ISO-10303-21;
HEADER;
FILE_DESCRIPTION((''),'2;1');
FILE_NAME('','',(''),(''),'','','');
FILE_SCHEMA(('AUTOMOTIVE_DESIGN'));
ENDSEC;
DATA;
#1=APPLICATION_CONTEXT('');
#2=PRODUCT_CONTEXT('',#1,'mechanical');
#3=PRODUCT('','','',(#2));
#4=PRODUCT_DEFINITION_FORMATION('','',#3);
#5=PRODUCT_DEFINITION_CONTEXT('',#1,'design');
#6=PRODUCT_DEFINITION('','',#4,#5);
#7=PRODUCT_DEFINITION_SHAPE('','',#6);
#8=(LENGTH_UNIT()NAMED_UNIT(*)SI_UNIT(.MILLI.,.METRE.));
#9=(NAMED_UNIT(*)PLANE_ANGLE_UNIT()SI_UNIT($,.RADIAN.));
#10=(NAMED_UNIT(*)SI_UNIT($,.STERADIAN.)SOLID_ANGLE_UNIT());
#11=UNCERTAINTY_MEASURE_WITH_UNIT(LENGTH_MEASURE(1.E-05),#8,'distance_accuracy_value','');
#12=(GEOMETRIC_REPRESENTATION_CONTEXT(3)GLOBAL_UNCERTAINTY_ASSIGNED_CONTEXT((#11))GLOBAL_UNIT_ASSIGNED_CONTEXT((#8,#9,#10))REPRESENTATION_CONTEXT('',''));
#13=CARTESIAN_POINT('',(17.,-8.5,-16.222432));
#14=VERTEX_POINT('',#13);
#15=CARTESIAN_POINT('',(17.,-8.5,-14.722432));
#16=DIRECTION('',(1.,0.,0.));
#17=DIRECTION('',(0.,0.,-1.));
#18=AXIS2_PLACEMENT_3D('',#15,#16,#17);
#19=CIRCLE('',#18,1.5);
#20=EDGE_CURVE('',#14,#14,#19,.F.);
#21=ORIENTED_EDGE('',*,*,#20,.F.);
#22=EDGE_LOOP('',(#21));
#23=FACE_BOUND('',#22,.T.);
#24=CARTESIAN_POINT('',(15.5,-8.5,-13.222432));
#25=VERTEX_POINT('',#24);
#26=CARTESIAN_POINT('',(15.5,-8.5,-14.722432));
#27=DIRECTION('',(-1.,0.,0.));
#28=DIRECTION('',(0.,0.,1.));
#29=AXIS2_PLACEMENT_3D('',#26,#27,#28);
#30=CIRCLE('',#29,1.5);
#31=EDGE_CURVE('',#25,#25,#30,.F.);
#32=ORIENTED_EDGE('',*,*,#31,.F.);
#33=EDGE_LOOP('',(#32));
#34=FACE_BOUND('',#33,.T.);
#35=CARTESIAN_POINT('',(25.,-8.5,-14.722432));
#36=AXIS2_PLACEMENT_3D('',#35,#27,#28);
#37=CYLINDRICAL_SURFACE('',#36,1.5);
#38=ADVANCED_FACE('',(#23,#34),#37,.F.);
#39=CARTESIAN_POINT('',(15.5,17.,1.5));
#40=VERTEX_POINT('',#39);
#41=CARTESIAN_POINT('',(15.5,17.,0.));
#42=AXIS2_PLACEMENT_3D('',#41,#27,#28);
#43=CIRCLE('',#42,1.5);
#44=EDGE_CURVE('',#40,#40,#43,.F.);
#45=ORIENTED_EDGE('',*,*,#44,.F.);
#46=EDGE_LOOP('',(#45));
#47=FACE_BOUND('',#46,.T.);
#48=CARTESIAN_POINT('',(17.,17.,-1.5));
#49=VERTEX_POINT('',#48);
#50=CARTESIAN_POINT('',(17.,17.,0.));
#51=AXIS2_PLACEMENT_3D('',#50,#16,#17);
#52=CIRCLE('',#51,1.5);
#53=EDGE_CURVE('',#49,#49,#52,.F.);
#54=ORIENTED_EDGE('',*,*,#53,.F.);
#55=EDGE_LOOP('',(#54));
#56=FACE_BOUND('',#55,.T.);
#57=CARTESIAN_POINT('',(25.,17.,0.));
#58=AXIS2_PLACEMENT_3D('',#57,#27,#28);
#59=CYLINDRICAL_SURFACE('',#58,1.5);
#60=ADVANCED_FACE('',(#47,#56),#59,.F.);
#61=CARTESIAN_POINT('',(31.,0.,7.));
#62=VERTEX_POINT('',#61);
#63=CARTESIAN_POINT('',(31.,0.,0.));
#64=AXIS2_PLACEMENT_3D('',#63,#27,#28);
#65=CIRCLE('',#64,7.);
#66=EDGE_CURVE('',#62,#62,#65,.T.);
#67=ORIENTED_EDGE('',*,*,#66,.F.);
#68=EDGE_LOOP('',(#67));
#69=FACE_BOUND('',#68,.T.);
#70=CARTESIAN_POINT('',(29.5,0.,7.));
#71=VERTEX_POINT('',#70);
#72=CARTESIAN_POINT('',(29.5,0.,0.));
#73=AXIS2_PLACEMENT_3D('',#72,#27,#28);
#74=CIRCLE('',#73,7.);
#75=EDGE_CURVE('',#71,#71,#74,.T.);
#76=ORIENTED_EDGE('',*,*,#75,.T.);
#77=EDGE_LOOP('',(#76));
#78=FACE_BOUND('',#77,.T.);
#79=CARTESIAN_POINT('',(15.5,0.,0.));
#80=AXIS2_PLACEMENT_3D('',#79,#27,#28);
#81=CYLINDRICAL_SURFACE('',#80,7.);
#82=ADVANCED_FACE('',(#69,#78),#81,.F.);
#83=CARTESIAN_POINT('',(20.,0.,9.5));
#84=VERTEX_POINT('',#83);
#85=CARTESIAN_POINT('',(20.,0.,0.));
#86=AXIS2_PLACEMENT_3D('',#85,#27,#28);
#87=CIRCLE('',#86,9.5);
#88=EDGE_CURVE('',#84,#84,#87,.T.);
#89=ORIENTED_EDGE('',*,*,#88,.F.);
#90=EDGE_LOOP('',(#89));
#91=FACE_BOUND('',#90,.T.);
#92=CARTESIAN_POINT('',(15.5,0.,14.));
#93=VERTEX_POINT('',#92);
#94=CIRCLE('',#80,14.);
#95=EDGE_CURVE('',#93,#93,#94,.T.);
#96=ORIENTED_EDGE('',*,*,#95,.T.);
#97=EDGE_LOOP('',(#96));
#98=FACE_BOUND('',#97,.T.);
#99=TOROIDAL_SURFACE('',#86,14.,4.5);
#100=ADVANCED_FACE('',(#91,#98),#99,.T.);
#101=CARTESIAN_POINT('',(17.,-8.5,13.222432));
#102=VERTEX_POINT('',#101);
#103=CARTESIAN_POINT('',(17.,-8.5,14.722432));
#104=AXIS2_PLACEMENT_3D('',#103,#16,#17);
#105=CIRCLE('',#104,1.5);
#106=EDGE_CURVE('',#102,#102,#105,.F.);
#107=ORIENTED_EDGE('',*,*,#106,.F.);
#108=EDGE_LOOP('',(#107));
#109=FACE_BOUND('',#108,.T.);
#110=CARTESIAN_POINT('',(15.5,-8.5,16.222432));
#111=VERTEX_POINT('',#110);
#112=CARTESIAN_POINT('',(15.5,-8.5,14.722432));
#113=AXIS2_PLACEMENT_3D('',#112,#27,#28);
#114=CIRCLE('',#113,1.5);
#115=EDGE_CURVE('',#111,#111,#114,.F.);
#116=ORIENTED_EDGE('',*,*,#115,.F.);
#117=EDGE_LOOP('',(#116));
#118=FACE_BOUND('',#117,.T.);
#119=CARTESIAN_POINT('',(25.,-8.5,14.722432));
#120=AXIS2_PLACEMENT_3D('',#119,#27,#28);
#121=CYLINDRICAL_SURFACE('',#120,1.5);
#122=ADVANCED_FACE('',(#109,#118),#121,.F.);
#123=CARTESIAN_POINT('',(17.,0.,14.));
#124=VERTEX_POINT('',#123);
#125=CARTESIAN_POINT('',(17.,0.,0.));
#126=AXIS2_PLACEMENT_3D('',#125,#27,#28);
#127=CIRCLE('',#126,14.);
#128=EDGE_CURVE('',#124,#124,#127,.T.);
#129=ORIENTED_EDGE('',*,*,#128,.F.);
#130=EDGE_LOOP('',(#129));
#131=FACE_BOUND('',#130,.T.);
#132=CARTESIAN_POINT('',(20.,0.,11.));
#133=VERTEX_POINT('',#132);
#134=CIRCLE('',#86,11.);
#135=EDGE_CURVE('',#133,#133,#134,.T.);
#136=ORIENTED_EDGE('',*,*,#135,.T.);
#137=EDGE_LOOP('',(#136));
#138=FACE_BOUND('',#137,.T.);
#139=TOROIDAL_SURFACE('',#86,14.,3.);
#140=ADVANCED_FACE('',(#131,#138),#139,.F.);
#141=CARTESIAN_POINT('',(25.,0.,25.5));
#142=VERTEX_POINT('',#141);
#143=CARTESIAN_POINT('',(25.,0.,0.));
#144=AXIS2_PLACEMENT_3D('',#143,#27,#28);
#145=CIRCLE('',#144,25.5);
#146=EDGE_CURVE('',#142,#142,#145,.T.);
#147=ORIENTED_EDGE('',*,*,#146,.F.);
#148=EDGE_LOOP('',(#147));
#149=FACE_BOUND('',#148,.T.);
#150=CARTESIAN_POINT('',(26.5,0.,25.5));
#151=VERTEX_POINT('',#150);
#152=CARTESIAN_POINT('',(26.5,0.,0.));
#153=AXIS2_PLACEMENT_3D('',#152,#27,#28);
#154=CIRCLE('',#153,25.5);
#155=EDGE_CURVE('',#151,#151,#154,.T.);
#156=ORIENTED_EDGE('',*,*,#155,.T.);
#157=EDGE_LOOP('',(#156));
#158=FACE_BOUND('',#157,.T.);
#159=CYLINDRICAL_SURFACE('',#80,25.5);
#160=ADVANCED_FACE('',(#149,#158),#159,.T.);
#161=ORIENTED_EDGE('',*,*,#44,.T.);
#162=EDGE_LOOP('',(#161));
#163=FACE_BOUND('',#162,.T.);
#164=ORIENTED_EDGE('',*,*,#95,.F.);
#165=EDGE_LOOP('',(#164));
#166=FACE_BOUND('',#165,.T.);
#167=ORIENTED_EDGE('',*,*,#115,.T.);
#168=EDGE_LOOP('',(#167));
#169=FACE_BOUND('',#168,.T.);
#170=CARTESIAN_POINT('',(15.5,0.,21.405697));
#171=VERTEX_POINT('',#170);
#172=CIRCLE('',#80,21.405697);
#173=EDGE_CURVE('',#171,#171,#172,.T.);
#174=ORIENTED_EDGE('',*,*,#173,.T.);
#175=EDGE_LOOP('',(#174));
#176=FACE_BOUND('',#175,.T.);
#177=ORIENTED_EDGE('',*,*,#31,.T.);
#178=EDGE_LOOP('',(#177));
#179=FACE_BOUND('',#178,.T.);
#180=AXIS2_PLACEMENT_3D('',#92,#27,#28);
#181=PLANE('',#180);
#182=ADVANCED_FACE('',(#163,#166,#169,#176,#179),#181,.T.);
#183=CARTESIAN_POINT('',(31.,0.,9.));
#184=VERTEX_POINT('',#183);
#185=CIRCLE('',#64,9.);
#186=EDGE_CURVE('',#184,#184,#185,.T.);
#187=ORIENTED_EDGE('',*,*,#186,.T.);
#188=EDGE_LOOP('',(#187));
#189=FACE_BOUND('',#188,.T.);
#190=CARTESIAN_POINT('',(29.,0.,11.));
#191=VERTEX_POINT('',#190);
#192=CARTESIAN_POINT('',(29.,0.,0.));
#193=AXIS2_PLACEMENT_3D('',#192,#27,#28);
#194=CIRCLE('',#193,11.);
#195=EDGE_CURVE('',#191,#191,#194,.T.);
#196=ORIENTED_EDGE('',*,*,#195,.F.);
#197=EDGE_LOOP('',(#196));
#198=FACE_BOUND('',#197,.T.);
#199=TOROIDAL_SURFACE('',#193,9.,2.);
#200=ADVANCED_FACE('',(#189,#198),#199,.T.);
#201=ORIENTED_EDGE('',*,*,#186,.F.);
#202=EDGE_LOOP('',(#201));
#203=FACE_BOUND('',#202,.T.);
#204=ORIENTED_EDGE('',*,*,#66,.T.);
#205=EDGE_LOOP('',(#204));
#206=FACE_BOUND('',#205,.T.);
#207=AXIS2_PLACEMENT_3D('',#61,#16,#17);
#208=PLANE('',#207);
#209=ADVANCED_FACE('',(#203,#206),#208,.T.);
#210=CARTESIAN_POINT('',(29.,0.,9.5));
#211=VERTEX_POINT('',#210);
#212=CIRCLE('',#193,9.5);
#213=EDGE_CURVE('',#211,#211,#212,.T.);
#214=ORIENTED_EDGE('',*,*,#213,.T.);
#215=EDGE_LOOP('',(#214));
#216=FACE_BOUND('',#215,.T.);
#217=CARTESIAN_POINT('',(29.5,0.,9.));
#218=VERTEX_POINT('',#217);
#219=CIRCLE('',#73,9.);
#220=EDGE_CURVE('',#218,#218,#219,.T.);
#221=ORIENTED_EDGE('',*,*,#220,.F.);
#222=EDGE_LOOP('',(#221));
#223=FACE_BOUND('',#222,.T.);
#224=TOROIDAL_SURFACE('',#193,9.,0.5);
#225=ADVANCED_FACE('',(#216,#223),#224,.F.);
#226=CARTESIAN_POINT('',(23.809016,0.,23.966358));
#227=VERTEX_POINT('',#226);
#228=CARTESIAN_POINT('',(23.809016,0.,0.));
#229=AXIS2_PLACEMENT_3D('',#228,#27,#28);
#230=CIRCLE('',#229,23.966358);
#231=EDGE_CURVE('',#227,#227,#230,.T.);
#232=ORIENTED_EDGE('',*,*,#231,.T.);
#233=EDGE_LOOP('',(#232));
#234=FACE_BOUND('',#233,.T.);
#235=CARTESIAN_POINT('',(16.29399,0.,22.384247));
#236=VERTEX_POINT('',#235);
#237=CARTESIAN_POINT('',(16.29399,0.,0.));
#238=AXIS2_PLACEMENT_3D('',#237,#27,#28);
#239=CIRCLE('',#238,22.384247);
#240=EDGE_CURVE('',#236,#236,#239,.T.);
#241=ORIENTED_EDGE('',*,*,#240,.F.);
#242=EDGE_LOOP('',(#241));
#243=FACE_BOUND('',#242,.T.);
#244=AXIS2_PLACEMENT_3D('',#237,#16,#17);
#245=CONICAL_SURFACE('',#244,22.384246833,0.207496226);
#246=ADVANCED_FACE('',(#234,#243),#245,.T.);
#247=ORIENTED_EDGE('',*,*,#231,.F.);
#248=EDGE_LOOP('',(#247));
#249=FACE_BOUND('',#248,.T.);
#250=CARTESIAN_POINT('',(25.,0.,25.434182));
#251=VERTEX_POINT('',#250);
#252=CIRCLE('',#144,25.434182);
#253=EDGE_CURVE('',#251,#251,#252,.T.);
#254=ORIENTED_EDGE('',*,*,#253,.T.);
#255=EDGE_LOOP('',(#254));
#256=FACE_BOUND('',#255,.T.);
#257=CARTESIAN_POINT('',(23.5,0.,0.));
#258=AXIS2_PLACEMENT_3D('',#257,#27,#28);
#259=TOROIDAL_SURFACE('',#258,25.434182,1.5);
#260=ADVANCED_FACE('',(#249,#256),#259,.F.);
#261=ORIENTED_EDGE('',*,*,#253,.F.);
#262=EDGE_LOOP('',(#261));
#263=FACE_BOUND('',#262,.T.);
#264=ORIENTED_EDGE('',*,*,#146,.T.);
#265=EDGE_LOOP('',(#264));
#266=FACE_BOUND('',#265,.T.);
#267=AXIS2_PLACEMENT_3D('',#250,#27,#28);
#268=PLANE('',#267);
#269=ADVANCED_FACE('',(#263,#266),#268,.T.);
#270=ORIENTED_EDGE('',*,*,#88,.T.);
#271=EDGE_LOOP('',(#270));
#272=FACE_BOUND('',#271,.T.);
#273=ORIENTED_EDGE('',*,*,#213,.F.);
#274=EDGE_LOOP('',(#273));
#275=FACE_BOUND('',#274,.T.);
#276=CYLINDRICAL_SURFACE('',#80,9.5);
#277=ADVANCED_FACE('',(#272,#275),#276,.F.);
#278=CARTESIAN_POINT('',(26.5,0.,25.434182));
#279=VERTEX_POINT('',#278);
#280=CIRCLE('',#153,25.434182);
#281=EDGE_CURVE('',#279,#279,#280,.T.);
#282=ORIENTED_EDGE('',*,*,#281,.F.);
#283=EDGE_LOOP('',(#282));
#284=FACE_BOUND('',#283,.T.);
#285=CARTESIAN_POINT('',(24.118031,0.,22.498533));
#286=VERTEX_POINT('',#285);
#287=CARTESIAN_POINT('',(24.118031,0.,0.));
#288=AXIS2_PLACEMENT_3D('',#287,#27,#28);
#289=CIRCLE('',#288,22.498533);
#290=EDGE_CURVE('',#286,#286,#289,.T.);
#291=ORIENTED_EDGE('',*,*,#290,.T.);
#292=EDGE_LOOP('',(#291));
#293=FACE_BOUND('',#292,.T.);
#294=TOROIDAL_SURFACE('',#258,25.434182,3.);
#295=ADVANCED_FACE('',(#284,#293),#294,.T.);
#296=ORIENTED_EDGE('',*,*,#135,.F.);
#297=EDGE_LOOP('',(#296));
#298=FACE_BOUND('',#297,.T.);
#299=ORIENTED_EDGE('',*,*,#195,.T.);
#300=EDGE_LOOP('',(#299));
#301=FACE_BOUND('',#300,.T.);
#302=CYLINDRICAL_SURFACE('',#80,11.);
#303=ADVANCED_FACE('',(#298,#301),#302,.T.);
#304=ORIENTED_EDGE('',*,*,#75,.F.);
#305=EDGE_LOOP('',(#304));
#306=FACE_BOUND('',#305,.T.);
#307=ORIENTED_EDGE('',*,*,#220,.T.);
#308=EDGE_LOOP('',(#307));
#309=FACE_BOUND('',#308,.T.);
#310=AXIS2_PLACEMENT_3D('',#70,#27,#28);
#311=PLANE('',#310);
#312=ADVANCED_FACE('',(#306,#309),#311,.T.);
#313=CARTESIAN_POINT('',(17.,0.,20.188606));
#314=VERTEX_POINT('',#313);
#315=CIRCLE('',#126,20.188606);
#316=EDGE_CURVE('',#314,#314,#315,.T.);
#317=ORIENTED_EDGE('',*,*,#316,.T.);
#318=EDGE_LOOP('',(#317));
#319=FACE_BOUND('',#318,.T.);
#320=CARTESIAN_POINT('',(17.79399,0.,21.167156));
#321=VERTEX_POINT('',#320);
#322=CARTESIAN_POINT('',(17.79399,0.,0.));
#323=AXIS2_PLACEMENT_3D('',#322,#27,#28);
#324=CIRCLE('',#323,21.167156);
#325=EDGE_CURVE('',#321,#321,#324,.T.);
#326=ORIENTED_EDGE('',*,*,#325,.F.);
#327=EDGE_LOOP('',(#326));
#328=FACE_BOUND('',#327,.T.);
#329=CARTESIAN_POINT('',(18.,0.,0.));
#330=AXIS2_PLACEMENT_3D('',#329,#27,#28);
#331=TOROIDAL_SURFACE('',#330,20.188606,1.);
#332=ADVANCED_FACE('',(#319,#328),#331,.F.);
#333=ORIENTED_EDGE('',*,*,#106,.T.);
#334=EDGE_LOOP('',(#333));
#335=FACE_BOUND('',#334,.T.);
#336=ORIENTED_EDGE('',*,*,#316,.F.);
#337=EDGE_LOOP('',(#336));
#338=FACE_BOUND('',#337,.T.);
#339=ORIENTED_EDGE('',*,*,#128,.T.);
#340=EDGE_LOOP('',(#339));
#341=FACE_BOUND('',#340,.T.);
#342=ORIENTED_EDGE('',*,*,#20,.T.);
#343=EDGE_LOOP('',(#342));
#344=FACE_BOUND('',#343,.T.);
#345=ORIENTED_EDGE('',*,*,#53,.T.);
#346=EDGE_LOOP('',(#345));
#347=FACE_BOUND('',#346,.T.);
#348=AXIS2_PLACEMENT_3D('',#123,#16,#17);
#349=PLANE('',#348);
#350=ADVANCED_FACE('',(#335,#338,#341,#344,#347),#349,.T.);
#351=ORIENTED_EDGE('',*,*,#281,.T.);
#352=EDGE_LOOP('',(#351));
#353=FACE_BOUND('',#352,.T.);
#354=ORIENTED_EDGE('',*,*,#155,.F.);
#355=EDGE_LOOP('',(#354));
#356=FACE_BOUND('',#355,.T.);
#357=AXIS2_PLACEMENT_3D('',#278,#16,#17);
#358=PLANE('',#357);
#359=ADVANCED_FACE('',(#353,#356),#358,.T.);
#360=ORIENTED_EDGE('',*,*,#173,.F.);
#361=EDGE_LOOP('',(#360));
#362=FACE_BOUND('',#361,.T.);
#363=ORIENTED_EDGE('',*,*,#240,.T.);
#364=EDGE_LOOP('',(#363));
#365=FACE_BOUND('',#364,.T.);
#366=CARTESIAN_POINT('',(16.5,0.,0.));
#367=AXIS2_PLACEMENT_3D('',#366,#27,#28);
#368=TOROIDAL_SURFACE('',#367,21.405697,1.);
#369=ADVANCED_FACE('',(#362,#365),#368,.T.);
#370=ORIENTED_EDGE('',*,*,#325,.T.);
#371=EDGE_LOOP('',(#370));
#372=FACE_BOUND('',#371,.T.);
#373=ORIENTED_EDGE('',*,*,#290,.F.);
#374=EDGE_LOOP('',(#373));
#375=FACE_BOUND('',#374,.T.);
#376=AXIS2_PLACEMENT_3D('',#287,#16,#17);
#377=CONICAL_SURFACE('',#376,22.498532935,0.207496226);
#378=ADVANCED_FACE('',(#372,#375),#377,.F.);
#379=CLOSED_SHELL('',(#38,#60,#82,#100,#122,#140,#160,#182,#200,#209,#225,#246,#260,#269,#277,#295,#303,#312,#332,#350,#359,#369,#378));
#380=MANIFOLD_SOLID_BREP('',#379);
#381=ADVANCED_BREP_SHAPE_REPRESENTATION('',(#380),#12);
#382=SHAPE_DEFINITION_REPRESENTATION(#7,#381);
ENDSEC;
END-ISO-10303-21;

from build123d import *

# Parameters (mm, degrees)
SKETCH2_R          = 1.5
CUT_EXTRUDE2_DEPTH = 25


with BuildPart() as part:
    # Sketch1 → Revolve1 (revolve)
    with BuildSketch(Plane(origin=(0, 0, 0), x_dir=(1, 0, 0), z_dir=(0, 1, 0))):
        with BuildLine():
            Line((20, -11), (29, -11))
            ThreePointArc((29, -11), (30.414213562, -10.414213562), (31, -9))
            Line((31, -9), (31, -7))
            Line((31, -7), (29.5, -7))
            Line((29.5, -7), (29.5, -9))
            ThreePointArc((29.5, -9), (29.353553391, -9.353553391), (29, -9.5))
            Line((29, -9.5), (20, -9.5))
            ThreePointArc((20, -9.5), (16.818019485, -10.818019485), (15.5, -14))
            Line((15.5, -14), (15.5, -21.405697048))
            ThreePointArc((15.5, -21.405697048), (15.723465879, -22.03577225), (16.293989519, -22.384246833))
            Line((16.293989519, -22.384246833), (23.809015722, -23.966357613))
            ThreePointArc((23.809015722, -23.966357613), (24.664801181, -24.489069488), (25, -25.43418229))
            Line((25, -25.43418229), (25, -25.5))
            Line((25, -25.5), (26.5, -25.5))
            Line((26.5, -25.5), (26.5, -25.43418229))
            ThreePointArc((26.5, -25.43418229), (25.829602362, -23.543956686), (24.118031443, -22.498532935))
            Line((24.118031443, -22.498532935), (17.793989519, -21.167155688))
            ThreePointArc((17.793989519, -21.167155688), (17.223465879, -20.818681105), (17, -20.188605903))
            Line((17, -20.188605903), (17, -14))
            ThreePointArc((17, -14), (17.878679656, -11.878679656), (20, -11))
        make_face()
    revolve(axis=Axis((15.5, 0, 0), (1, 0, 0)))

    # Sketch2 → Cut-Extrude2 (cut)
    with BuildSketch(Plane(origin=(0, 0, 0), x_dir=(0, 0, -1), z_dir=(1, 0, 0))):
        with Locations(Location((0, 17, 0), (0, 0, 180))):
            Circle(SKETCH2_R)
        with Locations(Location((14.722431864, -8.5, 0), (0, 0, 180))):
            Circle(SKETCH2_R)
        with Locations(Location((-14.722431864, -8.5, 0), (0, 0, 180))):
            Circle(SKETCH2_R)
    extrude(amount=CUT_EXTRUDE2_DEPTH, mode=Mode.SUBTRACT)


solid = part.part
